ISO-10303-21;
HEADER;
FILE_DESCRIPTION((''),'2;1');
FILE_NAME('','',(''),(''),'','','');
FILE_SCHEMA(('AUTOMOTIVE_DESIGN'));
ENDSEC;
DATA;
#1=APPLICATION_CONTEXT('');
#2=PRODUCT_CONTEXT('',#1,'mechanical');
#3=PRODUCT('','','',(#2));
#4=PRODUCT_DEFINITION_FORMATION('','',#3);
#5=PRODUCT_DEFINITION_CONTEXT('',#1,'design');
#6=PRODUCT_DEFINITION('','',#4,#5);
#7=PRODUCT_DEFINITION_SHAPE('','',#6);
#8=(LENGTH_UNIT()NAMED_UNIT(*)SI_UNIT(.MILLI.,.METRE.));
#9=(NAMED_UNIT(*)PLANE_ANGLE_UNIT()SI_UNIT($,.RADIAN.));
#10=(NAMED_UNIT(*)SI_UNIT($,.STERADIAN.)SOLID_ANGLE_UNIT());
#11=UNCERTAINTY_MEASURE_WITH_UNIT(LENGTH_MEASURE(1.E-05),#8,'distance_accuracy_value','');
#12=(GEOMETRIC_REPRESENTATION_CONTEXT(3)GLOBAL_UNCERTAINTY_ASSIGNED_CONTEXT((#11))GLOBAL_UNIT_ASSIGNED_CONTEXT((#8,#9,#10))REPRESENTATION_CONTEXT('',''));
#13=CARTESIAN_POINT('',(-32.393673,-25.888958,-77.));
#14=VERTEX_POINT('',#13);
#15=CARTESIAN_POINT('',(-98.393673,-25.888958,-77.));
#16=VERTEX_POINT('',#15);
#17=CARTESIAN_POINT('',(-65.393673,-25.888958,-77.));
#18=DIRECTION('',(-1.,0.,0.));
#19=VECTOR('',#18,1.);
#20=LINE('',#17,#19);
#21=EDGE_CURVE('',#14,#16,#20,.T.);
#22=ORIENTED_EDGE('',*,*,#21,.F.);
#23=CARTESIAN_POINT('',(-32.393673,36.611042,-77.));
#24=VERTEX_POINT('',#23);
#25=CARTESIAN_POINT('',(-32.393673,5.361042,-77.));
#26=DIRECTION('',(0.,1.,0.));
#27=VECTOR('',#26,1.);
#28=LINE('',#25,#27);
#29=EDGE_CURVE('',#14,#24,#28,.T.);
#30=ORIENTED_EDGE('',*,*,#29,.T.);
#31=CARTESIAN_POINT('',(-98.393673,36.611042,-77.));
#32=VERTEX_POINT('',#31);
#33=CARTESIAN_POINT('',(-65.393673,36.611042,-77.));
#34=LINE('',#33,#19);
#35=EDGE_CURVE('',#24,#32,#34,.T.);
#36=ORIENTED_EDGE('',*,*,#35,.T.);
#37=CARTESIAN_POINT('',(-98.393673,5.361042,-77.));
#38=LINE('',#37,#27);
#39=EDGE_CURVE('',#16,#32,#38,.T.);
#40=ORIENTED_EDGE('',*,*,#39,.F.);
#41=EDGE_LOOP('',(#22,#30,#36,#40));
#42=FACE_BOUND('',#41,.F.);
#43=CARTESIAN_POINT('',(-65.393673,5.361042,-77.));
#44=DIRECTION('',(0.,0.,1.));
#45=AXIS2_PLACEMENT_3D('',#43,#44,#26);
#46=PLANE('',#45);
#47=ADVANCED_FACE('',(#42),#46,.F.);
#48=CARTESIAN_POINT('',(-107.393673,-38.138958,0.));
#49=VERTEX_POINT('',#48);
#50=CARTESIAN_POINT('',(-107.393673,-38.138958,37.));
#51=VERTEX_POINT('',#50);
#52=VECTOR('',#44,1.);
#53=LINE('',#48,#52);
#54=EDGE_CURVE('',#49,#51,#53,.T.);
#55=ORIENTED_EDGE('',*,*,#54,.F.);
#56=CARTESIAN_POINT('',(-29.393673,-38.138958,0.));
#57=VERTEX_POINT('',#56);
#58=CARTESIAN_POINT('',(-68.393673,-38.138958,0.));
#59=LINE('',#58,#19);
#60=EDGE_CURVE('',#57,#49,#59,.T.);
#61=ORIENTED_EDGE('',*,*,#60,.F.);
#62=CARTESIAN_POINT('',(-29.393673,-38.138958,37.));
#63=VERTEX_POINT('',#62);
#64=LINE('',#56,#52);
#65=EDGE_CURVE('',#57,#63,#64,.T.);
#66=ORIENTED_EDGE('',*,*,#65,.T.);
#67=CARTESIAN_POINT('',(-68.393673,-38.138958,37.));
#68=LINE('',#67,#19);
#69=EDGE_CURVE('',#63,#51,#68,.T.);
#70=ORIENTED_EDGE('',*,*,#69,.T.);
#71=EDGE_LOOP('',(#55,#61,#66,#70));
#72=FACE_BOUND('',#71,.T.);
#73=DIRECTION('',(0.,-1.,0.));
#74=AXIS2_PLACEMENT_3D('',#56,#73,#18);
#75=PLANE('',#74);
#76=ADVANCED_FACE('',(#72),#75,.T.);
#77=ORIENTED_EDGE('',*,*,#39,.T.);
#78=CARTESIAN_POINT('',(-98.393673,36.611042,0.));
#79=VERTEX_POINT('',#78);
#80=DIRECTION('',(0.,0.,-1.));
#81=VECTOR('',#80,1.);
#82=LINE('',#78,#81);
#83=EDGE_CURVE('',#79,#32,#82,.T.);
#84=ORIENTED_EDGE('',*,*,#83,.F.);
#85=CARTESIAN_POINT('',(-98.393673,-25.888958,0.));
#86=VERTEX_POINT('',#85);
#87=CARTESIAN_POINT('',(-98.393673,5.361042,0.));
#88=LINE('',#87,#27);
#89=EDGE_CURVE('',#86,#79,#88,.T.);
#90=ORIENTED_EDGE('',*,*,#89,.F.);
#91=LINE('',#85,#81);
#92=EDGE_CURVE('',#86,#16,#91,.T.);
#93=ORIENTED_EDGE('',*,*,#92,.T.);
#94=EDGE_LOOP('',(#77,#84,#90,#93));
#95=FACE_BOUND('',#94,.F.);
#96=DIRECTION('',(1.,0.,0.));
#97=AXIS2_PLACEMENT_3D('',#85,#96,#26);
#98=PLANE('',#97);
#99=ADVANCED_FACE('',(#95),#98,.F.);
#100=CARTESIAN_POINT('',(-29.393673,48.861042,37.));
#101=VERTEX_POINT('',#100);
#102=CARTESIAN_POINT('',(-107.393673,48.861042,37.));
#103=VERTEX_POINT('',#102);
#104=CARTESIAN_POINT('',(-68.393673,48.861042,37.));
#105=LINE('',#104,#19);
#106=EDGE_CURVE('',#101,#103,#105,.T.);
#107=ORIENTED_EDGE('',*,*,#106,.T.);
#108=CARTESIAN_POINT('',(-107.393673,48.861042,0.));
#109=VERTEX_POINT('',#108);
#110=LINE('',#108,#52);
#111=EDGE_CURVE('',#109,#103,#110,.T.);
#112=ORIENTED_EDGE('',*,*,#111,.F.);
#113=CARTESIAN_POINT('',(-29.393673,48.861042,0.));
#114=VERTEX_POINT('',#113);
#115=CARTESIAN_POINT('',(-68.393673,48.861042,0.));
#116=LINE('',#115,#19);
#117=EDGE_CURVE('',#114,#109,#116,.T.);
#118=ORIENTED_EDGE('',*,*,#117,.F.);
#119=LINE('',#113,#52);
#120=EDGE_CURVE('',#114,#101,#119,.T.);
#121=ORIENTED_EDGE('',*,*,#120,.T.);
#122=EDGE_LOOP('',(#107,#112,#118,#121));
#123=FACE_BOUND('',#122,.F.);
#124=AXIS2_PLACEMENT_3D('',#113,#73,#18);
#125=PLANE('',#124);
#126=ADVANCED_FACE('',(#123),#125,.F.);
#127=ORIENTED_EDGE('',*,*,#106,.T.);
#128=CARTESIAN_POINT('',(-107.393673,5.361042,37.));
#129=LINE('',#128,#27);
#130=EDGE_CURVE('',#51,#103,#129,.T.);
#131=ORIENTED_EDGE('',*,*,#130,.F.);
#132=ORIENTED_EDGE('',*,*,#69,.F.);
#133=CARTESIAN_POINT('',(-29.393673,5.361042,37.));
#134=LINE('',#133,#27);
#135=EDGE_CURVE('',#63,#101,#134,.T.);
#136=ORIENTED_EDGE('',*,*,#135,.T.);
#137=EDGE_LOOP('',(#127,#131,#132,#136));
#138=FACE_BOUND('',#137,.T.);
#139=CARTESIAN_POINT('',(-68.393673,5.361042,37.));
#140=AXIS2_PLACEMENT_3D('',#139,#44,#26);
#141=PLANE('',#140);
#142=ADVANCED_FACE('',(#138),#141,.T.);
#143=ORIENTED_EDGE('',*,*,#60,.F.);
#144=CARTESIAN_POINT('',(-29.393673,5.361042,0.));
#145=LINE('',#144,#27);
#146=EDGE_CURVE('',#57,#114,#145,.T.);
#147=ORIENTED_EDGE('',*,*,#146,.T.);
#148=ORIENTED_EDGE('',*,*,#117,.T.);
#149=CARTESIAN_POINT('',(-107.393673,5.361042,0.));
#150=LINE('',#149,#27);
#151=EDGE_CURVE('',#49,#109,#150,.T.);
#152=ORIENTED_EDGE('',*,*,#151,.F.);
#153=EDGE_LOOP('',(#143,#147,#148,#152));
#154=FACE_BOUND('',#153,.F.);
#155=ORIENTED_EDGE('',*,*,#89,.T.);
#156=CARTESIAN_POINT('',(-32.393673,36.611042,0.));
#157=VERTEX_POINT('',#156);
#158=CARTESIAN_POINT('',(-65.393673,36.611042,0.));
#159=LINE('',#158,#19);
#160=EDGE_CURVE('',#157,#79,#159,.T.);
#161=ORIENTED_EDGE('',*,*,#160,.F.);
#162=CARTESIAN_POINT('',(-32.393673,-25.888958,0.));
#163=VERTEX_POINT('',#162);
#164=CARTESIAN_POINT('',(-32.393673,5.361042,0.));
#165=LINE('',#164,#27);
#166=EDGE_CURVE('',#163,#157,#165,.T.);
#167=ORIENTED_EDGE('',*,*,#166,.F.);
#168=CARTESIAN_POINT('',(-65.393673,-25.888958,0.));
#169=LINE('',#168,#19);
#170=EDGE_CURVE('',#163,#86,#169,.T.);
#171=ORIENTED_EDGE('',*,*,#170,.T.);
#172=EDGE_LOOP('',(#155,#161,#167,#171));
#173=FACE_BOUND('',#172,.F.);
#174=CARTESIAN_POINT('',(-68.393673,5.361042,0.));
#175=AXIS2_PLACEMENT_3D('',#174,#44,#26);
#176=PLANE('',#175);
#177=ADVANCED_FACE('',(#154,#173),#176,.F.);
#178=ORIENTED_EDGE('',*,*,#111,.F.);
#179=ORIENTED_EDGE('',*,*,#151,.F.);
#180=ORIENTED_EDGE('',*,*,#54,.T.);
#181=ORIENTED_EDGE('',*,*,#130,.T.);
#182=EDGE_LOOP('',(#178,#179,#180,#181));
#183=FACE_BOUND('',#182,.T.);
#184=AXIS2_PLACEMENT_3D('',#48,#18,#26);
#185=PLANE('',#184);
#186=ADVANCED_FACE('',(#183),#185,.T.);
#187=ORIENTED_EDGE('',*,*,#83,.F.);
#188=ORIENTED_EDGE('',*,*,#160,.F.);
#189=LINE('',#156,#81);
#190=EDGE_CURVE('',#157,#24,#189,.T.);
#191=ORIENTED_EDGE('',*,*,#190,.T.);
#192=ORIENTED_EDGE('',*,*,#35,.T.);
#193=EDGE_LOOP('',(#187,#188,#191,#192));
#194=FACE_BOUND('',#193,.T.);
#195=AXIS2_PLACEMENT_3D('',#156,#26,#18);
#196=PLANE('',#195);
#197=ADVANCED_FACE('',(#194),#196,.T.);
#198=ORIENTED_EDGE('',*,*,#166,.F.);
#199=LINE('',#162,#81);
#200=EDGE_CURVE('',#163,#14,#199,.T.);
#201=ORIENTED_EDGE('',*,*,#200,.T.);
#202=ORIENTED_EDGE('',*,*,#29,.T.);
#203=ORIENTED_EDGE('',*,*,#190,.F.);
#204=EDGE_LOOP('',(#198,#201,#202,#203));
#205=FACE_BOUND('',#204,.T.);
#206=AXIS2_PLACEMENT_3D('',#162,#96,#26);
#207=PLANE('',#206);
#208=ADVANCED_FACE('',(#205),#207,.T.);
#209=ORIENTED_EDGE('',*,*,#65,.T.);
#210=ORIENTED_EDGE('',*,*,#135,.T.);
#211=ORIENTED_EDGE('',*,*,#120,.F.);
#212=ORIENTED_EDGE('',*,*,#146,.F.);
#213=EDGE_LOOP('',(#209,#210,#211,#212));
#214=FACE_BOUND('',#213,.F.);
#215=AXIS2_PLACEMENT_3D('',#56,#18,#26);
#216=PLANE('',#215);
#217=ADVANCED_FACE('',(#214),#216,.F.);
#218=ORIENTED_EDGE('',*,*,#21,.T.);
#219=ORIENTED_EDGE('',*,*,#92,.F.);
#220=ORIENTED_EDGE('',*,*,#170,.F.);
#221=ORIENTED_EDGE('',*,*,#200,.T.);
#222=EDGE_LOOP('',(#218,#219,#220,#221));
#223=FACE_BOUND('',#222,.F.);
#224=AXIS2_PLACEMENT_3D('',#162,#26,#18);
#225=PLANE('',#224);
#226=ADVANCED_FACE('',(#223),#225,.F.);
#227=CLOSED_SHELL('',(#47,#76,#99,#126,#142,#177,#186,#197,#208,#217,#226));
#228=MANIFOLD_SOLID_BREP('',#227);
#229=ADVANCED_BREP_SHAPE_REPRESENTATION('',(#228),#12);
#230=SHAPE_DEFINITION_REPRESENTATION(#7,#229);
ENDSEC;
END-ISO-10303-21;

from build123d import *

# Parameters (mm, degrees)
F0_W     = 87
F0_H     = 78
F0_W_2   = 62.5
F0_H_2   = 66
F1_DEPTH = 37
F2_DEPTH = 77
F3_ANGLE = 90


with BuildPart() as f1:
    # F0 (on Top) → F1 (new body)
    with BuildSketch(Plane.XY):
        with Locations((-1.143673, 10.111042)):
            Rectangle(F0_W, F0_H)
        with Locations((-1.143673, 7.111042)):
            Rectangle(F0_W_2, F0_H_2, mode=Mode.SUBTRACT)
        with Locations((-1.143673, 7.111042)):
            Rectangle(F0_W_2, F0_H_2)
    extrude(amount=F1_DEPTH)

    # F0 (on Top) → F2 (join)
    with BuildSketch(Plane.XY):
        with Locations((-1.143673, 7.111042)):
            Rectangle(F0_W_2, F0_H_2)
    extrude(amount=-F2_DEPTH)


with BuildPart() as f1_1:
    # F3: moved
    add(f1.part.rotate(Axis((-32.393673, -25.888958, -38.5), (0, 0, 1)), F3_ANGLE))


solid = f1_1.part
